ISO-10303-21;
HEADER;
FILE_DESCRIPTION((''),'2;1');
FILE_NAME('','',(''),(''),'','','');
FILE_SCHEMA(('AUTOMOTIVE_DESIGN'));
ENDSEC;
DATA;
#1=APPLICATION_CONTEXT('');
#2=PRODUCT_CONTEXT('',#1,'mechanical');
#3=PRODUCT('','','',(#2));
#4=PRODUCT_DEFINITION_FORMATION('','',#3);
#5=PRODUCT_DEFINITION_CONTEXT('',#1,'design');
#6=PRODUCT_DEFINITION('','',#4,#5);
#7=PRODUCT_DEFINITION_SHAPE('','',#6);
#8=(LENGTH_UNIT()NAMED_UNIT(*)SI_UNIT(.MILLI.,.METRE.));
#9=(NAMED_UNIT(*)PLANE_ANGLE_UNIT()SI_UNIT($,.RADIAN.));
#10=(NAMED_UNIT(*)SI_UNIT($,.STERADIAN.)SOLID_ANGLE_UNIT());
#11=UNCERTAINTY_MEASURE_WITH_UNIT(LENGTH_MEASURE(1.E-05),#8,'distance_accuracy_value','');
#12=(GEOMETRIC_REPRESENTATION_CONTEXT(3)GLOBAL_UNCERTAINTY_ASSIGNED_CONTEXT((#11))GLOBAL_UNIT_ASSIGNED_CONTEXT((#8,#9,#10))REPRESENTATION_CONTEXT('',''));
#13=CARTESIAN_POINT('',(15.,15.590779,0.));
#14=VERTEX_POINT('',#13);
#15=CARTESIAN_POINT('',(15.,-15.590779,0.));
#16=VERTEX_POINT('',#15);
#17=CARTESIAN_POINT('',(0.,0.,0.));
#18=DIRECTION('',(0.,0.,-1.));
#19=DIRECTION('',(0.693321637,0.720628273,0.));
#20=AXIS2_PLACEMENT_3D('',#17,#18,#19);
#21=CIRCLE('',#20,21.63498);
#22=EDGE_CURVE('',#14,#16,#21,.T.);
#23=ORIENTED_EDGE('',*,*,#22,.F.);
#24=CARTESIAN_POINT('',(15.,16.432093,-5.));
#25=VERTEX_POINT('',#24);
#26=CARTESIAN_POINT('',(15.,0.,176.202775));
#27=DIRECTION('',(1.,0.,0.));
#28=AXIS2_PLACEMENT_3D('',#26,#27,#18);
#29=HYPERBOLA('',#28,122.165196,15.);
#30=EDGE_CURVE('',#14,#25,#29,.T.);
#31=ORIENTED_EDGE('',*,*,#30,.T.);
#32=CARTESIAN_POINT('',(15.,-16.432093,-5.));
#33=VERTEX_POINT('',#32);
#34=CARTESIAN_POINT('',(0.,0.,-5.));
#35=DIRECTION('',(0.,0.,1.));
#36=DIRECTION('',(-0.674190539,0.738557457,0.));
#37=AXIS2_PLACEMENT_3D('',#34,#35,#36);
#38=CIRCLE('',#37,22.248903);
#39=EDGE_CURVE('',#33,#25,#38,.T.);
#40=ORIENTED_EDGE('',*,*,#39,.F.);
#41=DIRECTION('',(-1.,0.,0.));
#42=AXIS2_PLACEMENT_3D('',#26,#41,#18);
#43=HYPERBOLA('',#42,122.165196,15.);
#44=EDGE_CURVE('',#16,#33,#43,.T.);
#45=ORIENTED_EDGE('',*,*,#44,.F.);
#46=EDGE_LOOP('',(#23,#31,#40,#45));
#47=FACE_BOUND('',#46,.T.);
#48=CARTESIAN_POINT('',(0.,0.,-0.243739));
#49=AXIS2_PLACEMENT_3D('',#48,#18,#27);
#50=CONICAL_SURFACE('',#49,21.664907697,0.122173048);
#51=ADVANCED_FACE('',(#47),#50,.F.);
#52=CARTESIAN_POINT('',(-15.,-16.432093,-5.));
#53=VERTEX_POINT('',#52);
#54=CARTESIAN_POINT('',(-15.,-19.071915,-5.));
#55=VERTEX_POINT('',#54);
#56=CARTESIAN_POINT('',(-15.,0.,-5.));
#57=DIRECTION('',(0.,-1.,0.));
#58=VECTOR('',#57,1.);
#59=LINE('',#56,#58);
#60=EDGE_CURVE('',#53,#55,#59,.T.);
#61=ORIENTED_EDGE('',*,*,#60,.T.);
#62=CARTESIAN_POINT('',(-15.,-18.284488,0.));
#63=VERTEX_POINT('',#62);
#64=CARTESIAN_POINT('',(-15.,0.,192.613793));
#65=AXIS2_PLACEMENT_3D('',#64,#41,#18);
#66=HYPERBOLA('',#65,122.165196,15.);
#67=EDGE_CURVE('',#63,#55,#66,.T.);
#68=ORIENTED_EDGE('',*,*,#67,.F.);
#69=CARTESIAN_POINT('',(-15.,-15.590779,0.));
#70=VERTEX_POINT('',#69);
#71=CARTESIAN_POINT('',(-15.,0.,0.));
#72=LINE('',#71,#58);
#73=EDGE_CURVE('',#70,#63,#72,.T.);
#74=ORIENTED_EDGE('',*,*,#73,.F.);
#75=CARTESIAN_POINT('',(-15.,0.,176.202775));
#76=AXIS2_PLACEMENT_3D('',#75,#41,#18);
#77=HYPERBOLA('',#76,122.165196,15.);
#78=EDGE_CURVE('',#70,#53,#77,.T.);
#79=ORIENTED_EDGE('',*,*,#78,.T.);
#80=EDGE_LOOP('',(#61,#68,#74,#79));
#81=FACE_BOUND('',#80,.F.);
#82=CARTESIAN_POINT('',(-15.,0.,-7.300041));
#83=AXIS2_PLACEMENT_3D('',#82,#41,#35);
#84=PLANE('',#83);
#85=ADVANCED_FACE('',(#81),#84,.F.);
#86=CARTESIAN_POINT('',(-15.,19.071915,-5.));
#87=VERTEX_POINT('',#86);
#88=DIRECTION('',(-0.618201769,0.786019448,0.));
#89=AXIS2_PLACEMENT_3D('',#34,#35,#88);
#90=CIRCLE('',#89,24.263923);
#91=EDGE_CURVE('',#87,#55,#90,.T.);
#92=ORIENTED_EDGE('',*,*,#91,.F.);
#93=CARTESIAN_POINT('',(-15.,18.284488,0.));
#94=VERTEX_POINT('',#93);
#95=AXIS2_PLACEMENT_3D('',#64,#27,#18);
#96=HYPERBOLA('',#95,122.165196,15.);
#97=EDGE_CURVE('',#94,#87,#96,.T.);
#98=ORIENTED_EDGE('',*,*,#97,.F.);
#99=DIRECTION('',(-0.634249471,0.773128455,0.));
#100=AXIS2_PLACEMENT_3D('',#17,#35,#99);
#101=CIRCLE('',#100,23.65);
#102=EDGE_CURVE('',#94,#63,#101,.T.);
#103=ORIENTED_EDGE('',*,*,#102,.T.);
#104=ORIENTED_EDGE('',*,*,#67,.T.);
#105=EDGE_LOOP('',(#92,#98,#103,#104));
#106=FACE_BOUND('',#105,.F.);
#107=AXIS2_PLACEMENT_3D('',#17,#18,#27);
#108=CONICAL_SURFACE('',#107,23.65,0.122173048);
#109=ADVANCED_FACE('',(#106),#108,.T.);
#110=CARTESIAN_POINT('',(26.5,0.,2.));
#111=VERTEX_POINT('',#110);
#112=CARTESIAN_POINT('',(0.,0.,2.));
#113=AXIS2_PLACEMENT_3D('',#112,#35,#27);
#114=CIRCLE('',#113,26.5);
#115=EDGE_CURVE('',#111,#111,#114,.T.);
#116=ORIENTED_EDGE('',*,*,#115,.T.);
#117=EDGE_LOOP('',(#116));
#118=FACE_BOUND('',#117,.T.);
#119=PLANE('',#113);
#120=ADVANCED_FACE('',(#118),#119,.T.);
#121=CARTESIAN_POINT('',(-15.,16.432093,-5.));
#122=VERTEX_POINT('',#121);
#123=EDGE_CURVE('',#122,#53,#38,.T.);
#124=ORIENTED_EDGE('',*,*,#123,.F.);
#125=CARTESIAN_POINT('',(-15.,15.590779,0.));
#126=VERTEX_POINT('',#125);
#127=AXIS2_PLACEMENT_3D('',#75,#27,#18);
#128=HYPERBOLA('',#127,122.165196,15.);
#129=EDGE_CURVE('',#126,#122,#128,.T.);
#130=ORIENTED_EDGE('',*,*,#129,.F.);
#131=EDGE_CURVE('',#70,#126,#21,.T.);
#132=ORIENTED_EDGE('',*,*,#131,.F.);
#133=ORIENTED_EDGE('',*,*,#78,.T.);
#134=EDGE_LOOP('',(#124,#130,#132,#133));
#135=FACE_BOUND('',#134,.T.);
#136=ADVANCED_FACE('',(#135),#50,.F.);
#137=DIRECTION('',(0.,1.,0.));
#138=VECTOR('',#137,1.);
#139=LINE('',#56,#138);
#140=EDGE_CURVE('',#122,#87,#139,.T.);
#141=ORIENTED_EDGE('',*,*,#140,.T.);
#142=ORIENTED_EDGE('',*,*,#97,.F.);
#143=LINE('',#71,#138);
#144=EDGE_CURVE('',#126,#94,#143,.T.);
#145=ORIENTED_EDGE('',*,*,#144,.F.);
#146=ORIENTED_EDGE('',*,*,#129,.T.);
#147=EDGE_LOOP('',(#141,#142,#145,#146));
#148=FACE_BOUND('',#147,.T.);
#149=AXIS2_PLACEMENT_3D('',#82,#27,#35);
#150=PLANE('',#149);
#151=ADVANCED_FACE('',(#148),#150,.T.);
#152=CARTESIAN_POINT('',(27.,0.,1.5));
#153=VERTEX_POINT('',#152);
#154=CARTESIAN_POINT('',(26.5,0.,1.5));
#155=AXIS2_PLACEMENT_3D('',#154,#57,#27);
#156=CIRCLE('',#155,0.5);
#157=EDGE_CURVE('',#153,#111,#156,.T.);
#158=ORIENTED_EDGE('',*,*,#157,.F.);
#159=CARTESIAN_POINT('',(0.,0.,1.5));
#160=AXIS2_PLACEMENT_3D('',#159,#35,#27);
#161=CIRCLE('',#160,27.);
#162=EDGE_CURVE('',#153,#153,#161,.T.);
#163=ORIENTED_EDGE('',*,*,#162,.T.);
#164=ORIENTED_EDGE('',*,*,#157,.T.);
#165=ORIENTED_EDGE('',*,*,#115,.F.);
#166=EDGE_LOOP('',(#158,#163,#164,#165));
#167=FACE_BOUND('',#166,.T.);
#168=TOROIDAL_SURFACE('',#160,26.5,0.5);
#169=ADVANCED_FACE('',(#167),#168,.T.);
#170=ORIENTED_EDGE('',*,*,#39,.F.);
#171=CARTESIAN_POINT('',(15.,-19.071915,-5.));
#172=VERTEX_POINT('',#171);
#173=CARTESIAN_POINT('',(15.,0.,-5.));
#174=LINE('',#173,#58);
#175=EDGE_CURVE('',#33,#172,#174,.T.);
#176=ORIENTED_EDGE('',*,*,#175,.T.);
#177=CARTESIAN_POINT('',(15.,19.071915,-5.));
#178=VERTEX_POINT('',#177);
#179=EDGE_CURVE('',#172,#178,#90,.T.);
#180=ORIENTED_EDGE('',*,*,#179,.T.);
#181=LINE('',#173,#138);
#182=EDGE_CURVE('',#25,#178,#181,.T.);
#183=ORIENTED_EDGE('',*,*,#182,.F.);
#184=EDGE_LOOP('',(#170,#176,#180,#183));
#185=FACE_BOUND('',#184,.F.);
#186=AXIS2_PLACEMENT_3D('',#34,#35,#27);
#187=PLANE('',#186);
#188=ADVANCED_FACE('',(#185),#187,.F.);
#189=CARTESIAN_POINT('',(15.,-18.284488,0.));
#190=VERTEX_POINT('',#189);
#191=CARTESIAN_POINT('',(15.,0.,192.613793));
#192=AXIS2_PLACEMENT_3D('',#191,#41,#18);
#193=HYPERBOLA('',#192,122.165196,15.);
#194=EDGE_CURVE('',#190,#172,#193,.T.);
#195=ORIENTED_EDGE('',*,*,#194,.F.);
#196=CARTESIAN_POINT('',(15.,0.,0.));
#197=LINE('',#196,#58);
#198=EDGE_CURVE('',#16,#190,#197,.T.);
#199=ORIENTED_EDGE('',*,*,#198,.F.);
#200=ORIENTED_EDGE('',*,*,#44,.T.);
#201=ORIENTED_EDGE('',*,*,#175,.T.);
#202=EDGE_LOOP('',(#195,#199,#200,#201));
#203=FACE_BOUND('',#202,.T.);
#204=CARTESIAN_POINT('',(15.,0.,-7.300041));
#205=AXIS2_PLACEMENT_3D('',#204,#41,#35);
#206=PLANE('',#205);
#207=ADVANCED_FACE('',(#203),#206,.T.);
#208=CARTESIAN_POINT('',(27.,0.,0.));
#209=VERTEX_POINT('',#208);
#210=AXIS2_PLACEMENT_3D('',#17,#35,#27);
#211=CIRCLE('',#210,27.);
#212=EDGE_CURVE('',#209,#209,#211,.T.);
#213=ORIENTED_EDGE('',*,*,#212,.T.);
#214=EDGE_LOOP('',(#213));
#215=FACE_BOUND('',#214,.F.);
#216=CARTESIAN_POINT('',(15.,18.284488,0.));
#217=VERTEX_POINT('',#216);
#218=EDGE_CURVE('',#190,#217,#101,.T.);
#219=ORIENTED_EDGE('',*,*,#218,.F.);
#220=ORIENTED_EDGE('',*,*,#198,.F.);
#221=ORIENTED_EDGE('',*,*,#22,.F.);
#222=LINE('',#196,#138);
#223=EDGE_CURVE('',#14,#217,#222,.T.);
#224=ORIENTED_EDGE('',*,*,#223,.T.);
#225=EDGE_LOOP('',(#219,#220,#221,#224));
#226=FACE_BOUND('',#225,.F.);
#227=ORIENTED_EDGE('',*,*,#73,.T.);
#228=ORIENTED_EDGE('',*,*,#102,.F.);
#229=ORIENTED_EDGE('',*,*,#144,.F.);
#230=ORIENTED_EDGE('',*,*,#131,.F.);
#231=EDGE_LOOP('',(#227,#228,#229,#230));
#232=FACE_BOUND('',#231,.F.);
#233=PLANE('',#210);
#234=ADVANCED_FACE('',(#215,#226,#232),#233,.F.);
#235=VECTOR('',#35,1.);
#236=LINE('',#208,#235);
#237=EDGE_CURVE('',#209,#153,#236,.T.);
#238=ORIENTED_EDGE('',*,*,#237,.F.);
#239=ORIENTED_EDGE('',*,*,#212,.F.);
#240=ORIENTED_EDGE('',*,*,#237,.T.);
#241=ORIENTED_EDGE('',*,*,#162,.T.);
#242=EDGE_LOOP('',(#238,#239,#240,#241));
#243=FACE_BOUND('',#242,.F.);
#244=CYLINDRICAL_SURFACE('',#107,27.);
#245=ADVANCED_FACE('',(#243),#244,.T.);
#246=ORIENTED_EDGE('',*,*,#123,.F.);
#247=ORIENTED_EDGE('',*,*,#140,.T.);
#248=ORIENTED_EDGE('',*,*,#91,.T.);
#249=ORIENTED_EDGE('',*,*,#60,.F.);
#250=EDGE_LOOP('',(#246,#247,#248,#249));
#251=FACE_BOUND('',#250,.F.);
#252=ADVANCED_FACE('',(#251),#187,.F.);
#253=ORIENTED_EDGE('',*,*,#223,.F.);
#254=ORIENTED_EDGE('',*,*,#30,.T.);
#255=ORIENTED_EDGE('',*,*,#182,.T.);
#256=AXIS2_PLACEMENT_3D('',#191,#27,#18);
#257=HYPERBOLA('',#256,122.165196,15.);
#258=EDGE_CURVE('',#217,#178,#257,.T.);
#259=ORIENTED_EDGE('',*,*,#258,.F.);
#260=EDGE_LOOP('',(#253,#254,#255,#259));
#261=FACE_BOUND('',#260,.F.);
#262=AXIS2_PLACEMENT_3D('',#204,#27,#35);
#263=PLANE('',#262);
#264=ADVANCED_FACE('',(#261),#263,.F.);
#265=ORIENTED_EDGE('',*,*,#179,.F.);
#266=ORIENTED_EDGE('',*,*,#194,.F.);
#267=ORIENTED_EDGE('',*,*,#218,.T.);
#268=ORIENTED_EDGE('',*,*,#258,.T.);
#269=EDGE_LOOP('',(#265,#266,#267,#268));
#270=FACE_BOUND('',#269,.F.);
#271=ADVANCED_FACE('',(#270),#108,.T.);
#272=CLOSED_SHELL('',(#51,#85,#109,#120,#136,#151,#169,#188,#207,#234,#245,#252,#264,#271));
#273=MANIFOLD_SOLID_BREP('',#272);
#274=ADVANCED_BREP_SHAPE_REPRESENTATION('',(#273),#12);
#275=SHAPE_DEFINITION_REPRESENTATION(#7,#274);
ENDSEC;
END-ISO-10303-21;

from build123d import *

# Parameters (mm, degrees)
F0_R          = 27
F0_R_2        = 23.65
F1_DEPTH      = 2
F2_DEPTH      = 5
F2_TAPER      = -7
F3_T          = -2
F4_W          = 15
F4_H          = 7.3000405619
F5_DEPTH      = 25
F5_DEPTH_BACK = 25
F6_R          = 0.5


with BuildPart() as f1:
    # F0 (on Top) → F1 (new body)
    with BuildSketch(Plane.XY):
        Circle(F0_R)
        Circle(F0_R_2, mode=Mode.SUBTRACT)
        Circle(F0_R_2)
    extrude(amount=F1_DEPTH)

    # F0 (on Top) → F2 (join)
    with BuildSketch(Plane.XY):
        Circle(F0_R_2)
    extrude(amount=-F2_DEPTH, taper=F2_TAPER)

    # F3
    f3_openings = [f1.faces().sort_by_distance(p)[0] for p in [
        (0, 0, -5),
    ]]
    offset(amount=F3_T, openings=f3_openings, kind=Kind.INTERSECTION)

    # F4 (on Front) → F5 (cut, two sides)
    with BuildSketch(Plane.XZ) as f5_sk:
        with Locations((7.5, -3.6500202809)):
            Rectangle(F4_W, F4_H)
        with Locations((-7.5, -3.6500202809)):
            Rectangle(F4_W, F4_H)
    extrude(amount=-F5_DEPTH, mode=Mode.SUBTRACT)
    extrude(f5_sk.sketch, amount=F5_DEPTH_BACK, mode=Mode.SUBTRACT)

    # F6
    f6_edges = [f1.edges().sort_by_distance(p)[0] for p in [
        (-27, 0, 2),
    ]]
    fillet(f6_edges, radius=F6_R)


solid = f1.part
